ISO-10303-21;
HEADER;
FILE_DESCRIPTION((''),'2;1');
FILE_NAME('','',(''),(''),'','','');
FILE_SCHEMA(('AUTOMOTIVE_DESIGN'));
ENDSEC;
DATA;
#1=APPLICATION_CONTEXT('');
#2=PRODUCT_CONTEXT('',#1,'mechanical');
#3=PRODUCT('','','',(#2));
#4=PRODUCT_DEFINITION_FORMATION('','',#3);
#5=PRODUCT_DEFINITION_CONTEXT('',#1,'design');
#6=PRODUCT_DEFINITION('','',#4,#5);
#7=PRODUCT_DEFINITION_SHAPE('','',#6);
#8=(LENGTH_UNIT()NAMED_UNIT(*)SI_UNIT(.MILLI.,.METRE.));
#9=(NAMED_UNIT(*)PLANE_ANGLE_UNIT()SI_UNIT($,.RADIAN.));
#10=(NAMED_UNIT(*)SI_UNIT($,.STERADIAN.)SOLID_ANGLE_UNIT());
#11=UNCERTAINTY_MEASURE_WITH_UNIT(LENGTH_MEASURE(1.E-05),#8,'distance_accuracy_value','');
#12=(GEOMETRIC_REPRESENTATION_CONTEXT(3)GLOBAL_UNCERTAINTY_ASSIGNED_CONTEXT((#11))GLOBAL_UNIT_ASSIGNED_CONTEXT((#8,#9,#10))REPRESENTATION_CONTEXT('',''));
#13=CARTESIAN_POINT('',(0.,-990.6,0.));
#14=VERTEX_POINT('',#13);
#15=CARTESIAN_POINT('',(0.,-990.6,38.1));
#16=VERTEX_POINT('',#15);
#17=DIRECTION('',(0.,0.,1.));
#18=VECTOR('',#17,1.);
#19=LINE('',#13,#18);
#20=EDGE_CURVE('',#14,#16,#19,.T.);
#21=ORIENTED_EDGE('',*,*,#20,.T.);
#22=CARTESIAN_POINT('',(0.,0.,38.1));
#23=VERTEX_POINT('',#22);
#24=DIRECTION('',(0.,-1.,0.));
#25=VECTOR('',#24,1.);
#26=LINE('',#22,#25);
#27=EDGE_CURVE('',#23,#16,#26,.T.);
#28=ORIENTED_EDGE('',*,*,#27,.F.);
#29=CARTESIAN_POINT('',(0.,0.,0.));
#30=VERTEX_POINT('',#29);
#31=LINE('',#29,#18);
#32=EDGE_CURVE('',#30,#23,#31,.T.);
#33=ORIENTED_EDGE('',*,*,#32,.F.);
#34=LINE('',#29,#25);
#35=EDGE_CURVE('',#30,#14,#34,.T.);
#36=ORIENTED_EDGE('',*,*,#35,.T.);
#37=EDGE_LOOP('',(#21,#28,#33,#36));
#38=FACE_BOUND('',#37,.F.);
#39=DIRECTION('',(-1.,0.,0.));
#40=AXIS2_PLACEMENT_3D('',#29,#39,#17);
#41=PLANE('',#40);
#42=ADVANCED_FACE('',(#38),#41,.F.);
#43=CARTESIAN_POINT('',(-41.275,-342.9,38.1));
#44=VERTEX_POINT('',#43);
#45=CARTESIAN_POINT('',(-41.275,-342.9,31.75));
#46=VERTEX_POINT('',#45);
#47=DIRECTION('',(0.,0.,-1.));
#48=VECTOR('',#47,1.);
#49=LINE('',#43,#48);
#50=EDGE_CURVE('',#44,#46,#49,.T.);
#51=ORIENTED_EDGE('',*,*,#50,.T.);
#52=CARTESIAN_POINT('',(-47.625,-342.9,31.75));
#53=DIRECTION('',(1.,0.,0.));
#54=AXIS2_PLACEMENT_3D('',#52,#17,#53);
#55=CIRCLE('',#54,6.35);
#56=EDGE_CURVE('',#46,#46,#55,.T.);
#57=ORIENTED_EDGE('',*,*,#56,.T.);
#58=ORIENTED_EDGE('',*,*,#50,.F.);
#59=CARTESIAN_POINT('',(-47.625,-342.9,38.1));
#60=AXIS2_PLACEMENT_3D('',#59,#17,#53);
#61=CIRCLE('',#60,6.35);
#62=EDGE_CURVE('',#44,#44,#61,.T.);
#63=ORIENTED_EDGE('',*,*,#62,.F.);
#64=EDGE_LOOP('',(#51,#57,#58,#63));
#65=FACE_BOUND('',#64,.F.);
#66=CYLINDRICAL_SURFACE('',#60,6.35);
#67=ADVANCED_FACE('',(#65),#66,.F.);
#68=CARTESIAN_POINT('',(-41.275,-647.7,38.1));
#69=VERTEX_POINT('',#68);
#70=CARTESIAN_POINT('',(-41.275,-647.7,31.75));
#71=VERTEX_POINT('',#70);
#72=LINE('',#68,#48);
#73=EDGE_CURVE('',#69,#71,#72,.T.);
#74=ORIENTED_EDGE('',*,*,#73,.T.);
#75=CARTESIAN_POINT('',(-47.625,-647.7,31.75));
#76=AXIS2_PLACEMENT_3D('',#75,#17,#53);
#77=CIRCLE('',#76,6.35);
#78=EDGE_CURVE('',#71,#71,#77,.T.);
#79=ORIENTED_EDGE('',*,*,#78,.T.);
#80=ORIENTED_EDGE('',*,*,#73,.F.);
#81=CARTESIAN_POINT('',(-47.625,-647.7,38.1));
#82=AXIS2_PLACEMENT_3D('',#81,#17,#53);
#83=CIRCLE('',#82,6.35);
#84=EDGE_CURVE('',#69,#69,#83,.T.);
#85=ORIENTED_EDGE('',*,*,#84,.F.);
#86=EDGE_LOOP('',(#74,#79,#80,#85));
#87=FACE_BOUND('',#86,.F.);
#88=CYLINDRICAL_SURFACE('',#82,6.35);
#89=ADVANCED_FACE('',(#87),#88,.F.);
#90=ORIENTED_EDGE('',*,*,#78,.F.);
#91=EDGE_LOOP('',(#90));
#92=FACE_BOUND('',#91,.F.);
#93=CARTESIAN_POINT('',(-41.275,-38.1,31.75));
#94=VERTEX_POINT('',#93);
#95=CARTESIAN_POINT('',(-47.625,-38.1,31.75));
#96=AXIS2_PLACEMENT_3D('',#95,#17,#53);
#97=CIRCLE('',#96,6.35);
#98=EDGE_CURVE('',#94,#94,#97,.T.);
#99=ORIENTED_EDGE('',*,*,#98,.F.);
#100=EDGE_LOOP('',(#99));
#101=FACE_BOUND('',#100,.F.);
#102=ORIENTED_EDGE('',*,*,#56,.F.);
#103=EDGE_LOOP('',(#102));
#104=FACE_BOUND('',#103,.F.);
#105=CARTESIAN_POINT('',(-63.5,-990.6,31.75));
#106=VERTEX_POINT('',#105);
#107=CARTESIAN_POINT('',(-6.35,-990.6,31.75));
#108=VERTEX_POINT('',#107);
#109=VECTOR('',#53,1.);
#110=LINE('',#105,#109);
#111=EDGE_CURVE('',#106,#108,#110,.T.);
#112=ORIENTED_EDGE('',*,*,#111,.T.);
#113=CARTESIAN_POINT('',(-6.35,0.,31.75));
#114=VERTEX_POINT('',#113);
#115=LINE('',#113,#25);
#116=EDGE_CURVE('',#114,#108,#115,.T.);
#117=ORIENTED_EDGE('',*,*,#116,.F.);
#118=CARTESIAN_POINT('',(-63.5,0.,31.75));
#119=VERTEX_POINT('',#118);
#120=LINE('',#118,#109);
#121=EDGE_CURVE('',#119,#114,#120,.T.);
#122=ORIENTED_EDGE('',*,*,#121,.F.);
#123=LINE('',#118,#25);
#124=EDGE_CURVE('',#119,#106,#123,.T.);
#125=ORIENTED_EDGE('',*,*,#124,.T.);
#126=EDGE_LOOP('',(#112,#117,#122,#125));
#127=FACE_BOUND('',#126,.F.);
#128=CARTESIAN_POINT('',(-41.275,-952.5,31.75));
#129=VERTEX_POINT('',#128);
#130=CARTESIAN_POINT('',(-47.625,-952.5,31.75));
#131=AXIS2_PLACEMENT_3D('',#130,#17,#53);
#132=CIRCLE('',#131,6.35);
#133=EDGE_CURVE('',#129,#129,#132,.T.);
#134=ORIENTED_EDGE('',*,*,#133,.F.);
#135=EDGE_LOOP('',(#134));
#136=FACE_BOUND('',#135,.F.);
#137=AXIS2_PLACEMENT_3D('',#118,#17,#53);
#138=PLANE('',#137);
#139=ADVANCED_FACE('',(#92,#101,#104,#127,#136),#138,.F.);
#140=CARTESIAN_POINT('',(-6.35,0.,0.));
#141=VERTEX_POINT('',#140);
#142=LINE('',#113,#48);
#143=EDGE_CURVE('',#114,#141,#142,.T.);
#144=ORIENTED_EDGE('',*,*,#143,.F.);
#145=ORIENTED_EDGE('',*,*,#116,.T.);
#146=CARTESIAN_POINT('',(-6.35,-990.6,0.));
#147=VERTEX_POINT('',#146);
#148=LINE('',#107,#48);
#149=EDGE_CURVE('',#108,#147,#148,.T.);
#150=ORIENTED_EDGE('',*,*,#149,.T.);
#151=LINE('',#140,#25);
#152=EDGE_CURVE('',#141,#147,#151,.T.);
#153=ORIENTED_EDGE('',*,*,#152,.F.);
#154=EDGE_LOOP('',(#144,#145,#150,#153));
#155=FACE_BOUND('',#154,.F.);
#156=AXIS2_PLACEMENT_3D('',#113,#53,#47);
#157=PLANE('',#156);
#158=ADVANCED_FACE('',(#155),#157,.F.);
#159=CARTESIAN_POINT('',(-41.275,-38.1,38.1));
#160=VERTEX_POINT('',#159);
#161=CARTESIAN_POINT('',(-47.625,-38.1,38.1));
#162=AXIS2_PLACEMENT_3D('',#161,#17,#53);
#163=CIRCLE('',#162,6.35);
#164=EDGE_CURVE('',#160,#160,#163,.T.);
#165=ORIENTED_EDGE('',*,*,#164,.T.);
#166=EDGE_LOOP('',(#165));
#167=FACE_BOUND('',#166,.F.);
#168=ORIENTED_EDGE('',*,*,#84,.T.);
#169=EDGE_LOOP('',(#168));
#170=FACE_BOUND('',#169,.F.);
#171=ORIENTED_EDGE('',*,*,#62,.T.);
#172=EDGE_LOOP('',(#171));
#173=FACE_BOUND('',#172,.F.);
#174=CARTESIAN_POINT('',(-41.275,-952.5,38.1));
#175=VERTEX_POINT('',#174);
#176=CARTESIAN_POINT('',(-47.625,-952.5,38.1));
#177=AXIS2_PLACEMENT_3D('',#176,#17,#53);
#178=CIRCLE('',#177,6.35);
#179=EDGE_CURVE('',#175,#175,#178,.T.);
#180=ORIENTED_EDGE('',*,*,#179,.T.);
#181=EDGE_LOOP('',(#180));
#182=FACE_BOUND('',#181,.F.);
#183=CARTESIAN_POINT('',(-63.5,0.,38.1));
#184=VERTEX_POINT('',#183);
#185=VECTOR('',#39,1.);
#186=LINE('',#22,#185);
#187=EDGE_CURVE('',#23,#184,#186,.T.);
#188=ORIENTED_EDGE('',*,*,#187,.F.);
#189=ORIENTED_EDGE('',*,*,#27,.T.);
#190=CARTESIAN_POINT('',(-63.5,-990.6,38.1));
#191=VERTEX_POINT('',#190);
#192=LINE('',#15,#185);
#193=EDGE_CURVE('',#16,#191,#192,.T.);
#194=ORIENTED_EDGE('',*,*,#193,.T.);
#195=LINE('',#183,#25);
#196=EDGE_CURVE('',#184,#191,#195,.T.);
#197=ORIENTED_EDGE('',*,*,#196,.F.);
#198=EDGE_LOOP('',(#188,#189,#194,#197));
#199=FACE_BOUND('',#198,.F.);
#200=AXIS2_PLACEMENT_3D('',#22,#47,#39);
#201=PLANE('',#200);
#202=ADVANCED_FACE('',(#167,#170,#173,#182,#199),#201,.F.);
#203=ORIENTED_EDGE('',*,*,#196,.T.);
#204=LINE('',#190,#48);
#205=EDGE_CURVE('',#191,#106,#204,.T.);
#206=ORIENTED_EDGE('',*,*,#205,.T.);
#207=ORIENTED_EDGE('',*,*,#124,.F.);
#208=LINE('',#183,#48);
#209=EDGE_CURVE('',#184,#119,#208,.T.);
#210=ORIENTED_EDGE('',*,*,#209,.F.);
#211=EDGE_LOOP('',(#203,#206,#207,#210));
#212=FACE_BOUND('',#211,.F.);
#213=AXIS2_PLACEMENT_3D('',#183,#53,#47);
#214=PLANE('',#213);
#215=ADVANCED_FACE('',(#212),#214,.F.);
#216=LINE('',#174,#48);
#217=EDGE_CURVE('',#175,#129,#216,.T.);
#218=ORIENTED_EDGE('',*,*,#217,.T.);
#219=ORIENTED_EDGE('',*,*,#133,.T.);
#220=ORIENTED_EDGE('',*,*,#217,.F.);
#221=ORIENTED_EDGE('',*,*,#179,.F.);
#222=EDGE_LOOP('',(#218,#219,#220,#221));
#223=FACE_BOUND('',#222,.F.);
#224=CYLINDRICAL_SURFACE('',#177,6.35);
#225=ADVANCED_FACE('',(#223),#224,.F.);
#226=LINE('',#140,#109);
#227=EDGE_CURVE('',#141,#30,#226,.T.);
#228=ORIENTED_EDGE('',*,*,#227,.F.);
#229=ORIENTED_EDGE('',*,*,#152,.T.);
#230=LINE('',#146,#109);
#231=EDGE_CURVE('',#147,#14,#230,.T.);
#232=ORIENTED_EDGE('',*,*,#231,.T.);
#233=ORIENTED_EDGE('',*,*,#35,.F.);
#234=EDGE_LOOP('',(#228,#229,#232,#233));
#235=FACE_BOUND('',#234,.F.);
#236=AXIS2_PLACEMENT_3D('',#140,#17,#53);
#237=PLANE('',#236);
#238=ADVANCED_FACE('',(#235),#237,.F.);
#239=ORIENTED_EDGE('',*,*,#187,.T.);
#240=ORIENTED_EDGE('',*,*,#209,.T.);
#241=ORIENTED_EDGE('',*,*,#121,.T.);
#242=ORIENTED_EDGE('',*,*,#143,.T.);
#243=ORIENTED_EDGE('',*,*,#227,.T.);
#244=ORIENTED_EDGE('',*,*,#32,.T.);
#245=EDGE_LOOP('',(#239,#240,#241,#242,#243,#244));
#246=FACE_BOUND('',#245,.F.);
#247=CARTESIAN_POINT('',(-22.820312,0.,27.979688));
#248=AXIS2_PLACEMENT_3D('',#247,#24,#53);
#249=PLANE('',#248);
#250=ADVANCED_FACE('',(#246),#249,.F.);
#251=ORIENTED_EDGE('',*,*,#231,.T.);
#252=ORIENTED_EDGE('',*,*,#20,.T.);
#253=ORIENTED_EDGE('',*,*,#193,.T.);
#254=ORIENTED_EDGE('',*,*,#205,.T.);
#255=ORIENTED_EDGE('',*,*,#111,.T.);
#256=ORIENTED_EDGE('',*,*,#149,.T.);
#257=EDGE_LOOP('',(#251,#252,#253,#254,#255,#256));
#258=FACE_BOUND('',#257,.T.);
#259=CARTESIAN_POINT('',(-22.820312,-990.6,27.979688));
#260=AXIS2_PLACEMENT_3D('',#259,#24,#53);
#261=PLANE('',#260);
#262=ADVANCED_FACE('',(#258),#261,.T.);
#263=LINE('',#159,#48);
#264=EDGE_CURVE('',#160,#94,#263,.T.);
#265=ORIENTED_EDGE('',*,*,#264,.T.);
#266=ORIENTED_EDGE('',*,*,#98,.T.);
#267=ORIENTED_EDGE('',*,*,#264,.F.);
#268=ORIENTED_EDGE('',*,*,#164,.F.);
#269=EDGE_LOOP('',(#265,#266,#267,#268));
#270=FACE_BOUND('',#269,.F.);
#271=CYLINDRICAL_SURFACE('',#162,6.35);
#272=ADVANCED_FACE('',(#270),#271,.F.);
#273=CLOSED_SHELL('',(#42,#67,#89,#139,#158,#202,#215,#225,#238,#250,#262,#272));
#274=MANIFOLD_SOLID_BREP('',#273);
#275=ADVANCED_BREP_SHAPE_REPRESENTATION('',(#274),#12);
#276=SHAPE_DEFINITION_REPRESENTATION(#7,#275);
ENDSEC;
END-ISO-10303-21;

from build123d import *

# Parameters (mm, degrees)
F1_DEPTH = 990.6
F2_R     = 6.35
F3_DEPTH = 25.4


with BuildPart() as f1:
    # F0 (on Front) → F1 (new body)
    with BuildSketch(Plane.XZ):
        Polygon((-6.35, 0), (0, 0), (0, 38.1), (-63.5, 38.1), (-63.5, 31.75), (-6.35, 31.75), align=None)
    extrude(amount=F1_DEPTH)

    # F2 (on face) → F3 (cut)
    with BuildSketch(Plane.XY.offset(38.1)):
        with Locations((-47.625, -952.5)):
            Circle(F2_R)
        with Locations((-47.625, -647.7)):
            Circle(F2_R)
        with Locations((-47.625, -342.9)):
            Circle(F2_R)
        with Locations((-47.625, -38.1)):
            Circle(F2_R)
    extrude(amount=-F3_DEPTH, mode=Mode.SUBTRACT)


solid = f1.part
